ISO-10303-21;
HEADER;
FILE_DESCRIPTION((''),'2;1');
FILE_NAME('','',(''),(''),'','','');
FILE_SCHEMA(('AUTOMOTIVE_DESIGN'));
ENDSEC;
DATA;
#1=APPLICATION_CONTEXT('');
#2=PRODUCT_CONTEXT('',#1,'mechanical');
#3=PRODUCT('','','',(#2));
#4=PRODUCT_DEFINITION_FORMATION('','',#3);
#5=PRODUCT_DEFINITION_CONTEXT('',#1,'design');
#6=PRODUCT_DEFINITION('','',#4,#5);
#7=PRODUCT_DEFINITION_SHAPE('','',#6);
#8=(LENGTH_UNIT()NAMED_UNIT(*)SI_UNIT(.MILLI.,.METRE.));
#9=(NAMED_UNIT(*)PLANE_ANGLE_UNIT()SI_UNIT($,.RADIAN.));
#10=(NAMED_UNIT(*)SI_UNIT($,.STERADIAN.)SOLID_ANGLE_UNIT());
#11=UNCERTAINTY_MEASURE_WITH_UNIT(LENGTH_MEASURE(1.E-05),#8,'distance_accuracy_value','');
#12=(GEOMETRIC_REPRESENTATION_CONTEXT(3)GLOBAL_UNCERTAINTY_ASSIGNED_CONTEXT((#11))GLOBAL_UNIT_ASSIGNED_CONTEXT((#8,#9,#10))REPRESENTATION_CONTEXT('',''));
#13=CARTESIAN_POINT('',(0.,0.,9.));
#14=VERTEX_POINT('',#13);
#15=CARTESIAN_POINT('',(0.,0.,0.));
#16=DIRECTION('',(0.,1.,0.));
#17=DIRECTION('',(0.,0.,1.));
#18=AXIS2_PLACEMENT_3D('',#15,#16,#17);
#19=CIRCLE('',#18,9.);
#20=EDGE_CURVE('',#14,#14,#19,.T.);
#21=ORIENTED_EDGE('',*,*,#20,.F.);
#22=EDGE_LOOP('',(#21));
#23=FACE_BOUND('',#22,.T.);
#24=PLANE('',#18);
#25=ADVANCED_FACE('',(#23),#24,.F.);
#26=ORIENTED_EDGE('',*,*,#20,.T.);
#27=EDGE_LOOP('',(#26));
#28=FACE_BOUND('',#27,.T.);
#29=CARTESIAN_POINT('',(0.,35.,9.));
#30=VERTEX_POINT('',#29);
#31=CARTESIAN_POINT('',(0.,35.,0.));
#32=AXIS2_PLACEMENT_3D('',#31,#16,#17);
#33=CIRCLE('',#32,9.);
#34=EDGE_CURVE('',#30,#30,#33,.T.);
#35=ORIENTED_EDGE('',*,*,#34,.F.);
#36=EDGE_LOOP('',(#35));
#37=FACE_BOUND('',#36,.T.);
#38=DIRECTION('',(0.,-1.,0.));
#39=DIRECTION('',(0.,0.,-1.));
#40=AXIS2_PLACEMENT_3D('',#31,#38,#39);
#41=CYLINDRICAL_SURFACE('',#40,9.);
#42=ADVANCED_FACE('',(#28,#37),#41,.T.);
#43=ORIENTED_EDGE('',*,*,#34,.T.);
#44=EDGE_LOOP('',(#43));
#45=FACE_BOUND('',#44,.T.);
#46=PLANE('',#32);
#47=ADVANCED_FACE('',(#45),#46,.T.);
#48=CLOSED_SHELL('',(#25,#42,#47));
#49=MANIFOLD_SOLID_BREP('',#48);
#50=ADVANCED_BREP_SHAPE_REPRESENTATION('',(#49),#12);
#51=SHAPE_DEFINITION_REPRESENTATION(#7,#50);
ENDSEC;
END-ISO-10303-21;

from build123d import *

# Parameters (mm, degrees)
SKETCH_1_R      = 9
EXTRUDE_1_DEPTH = 35


with BuildPart() as part:
    # 草图1 → 凸台-拉伸1 (new body)
    with BuildSketch(Plane(origin=(0, 0, 0), x_dir=(1, 0, 0), z_dir=(0, 1, 0))):
        with Locations(Location((0, 0, 0), (0, 0, 270))):
            Circle(SKETCH_1_R)
    extrude(amount=EXTRUDE_1_DEPTH)


solid = part.part
